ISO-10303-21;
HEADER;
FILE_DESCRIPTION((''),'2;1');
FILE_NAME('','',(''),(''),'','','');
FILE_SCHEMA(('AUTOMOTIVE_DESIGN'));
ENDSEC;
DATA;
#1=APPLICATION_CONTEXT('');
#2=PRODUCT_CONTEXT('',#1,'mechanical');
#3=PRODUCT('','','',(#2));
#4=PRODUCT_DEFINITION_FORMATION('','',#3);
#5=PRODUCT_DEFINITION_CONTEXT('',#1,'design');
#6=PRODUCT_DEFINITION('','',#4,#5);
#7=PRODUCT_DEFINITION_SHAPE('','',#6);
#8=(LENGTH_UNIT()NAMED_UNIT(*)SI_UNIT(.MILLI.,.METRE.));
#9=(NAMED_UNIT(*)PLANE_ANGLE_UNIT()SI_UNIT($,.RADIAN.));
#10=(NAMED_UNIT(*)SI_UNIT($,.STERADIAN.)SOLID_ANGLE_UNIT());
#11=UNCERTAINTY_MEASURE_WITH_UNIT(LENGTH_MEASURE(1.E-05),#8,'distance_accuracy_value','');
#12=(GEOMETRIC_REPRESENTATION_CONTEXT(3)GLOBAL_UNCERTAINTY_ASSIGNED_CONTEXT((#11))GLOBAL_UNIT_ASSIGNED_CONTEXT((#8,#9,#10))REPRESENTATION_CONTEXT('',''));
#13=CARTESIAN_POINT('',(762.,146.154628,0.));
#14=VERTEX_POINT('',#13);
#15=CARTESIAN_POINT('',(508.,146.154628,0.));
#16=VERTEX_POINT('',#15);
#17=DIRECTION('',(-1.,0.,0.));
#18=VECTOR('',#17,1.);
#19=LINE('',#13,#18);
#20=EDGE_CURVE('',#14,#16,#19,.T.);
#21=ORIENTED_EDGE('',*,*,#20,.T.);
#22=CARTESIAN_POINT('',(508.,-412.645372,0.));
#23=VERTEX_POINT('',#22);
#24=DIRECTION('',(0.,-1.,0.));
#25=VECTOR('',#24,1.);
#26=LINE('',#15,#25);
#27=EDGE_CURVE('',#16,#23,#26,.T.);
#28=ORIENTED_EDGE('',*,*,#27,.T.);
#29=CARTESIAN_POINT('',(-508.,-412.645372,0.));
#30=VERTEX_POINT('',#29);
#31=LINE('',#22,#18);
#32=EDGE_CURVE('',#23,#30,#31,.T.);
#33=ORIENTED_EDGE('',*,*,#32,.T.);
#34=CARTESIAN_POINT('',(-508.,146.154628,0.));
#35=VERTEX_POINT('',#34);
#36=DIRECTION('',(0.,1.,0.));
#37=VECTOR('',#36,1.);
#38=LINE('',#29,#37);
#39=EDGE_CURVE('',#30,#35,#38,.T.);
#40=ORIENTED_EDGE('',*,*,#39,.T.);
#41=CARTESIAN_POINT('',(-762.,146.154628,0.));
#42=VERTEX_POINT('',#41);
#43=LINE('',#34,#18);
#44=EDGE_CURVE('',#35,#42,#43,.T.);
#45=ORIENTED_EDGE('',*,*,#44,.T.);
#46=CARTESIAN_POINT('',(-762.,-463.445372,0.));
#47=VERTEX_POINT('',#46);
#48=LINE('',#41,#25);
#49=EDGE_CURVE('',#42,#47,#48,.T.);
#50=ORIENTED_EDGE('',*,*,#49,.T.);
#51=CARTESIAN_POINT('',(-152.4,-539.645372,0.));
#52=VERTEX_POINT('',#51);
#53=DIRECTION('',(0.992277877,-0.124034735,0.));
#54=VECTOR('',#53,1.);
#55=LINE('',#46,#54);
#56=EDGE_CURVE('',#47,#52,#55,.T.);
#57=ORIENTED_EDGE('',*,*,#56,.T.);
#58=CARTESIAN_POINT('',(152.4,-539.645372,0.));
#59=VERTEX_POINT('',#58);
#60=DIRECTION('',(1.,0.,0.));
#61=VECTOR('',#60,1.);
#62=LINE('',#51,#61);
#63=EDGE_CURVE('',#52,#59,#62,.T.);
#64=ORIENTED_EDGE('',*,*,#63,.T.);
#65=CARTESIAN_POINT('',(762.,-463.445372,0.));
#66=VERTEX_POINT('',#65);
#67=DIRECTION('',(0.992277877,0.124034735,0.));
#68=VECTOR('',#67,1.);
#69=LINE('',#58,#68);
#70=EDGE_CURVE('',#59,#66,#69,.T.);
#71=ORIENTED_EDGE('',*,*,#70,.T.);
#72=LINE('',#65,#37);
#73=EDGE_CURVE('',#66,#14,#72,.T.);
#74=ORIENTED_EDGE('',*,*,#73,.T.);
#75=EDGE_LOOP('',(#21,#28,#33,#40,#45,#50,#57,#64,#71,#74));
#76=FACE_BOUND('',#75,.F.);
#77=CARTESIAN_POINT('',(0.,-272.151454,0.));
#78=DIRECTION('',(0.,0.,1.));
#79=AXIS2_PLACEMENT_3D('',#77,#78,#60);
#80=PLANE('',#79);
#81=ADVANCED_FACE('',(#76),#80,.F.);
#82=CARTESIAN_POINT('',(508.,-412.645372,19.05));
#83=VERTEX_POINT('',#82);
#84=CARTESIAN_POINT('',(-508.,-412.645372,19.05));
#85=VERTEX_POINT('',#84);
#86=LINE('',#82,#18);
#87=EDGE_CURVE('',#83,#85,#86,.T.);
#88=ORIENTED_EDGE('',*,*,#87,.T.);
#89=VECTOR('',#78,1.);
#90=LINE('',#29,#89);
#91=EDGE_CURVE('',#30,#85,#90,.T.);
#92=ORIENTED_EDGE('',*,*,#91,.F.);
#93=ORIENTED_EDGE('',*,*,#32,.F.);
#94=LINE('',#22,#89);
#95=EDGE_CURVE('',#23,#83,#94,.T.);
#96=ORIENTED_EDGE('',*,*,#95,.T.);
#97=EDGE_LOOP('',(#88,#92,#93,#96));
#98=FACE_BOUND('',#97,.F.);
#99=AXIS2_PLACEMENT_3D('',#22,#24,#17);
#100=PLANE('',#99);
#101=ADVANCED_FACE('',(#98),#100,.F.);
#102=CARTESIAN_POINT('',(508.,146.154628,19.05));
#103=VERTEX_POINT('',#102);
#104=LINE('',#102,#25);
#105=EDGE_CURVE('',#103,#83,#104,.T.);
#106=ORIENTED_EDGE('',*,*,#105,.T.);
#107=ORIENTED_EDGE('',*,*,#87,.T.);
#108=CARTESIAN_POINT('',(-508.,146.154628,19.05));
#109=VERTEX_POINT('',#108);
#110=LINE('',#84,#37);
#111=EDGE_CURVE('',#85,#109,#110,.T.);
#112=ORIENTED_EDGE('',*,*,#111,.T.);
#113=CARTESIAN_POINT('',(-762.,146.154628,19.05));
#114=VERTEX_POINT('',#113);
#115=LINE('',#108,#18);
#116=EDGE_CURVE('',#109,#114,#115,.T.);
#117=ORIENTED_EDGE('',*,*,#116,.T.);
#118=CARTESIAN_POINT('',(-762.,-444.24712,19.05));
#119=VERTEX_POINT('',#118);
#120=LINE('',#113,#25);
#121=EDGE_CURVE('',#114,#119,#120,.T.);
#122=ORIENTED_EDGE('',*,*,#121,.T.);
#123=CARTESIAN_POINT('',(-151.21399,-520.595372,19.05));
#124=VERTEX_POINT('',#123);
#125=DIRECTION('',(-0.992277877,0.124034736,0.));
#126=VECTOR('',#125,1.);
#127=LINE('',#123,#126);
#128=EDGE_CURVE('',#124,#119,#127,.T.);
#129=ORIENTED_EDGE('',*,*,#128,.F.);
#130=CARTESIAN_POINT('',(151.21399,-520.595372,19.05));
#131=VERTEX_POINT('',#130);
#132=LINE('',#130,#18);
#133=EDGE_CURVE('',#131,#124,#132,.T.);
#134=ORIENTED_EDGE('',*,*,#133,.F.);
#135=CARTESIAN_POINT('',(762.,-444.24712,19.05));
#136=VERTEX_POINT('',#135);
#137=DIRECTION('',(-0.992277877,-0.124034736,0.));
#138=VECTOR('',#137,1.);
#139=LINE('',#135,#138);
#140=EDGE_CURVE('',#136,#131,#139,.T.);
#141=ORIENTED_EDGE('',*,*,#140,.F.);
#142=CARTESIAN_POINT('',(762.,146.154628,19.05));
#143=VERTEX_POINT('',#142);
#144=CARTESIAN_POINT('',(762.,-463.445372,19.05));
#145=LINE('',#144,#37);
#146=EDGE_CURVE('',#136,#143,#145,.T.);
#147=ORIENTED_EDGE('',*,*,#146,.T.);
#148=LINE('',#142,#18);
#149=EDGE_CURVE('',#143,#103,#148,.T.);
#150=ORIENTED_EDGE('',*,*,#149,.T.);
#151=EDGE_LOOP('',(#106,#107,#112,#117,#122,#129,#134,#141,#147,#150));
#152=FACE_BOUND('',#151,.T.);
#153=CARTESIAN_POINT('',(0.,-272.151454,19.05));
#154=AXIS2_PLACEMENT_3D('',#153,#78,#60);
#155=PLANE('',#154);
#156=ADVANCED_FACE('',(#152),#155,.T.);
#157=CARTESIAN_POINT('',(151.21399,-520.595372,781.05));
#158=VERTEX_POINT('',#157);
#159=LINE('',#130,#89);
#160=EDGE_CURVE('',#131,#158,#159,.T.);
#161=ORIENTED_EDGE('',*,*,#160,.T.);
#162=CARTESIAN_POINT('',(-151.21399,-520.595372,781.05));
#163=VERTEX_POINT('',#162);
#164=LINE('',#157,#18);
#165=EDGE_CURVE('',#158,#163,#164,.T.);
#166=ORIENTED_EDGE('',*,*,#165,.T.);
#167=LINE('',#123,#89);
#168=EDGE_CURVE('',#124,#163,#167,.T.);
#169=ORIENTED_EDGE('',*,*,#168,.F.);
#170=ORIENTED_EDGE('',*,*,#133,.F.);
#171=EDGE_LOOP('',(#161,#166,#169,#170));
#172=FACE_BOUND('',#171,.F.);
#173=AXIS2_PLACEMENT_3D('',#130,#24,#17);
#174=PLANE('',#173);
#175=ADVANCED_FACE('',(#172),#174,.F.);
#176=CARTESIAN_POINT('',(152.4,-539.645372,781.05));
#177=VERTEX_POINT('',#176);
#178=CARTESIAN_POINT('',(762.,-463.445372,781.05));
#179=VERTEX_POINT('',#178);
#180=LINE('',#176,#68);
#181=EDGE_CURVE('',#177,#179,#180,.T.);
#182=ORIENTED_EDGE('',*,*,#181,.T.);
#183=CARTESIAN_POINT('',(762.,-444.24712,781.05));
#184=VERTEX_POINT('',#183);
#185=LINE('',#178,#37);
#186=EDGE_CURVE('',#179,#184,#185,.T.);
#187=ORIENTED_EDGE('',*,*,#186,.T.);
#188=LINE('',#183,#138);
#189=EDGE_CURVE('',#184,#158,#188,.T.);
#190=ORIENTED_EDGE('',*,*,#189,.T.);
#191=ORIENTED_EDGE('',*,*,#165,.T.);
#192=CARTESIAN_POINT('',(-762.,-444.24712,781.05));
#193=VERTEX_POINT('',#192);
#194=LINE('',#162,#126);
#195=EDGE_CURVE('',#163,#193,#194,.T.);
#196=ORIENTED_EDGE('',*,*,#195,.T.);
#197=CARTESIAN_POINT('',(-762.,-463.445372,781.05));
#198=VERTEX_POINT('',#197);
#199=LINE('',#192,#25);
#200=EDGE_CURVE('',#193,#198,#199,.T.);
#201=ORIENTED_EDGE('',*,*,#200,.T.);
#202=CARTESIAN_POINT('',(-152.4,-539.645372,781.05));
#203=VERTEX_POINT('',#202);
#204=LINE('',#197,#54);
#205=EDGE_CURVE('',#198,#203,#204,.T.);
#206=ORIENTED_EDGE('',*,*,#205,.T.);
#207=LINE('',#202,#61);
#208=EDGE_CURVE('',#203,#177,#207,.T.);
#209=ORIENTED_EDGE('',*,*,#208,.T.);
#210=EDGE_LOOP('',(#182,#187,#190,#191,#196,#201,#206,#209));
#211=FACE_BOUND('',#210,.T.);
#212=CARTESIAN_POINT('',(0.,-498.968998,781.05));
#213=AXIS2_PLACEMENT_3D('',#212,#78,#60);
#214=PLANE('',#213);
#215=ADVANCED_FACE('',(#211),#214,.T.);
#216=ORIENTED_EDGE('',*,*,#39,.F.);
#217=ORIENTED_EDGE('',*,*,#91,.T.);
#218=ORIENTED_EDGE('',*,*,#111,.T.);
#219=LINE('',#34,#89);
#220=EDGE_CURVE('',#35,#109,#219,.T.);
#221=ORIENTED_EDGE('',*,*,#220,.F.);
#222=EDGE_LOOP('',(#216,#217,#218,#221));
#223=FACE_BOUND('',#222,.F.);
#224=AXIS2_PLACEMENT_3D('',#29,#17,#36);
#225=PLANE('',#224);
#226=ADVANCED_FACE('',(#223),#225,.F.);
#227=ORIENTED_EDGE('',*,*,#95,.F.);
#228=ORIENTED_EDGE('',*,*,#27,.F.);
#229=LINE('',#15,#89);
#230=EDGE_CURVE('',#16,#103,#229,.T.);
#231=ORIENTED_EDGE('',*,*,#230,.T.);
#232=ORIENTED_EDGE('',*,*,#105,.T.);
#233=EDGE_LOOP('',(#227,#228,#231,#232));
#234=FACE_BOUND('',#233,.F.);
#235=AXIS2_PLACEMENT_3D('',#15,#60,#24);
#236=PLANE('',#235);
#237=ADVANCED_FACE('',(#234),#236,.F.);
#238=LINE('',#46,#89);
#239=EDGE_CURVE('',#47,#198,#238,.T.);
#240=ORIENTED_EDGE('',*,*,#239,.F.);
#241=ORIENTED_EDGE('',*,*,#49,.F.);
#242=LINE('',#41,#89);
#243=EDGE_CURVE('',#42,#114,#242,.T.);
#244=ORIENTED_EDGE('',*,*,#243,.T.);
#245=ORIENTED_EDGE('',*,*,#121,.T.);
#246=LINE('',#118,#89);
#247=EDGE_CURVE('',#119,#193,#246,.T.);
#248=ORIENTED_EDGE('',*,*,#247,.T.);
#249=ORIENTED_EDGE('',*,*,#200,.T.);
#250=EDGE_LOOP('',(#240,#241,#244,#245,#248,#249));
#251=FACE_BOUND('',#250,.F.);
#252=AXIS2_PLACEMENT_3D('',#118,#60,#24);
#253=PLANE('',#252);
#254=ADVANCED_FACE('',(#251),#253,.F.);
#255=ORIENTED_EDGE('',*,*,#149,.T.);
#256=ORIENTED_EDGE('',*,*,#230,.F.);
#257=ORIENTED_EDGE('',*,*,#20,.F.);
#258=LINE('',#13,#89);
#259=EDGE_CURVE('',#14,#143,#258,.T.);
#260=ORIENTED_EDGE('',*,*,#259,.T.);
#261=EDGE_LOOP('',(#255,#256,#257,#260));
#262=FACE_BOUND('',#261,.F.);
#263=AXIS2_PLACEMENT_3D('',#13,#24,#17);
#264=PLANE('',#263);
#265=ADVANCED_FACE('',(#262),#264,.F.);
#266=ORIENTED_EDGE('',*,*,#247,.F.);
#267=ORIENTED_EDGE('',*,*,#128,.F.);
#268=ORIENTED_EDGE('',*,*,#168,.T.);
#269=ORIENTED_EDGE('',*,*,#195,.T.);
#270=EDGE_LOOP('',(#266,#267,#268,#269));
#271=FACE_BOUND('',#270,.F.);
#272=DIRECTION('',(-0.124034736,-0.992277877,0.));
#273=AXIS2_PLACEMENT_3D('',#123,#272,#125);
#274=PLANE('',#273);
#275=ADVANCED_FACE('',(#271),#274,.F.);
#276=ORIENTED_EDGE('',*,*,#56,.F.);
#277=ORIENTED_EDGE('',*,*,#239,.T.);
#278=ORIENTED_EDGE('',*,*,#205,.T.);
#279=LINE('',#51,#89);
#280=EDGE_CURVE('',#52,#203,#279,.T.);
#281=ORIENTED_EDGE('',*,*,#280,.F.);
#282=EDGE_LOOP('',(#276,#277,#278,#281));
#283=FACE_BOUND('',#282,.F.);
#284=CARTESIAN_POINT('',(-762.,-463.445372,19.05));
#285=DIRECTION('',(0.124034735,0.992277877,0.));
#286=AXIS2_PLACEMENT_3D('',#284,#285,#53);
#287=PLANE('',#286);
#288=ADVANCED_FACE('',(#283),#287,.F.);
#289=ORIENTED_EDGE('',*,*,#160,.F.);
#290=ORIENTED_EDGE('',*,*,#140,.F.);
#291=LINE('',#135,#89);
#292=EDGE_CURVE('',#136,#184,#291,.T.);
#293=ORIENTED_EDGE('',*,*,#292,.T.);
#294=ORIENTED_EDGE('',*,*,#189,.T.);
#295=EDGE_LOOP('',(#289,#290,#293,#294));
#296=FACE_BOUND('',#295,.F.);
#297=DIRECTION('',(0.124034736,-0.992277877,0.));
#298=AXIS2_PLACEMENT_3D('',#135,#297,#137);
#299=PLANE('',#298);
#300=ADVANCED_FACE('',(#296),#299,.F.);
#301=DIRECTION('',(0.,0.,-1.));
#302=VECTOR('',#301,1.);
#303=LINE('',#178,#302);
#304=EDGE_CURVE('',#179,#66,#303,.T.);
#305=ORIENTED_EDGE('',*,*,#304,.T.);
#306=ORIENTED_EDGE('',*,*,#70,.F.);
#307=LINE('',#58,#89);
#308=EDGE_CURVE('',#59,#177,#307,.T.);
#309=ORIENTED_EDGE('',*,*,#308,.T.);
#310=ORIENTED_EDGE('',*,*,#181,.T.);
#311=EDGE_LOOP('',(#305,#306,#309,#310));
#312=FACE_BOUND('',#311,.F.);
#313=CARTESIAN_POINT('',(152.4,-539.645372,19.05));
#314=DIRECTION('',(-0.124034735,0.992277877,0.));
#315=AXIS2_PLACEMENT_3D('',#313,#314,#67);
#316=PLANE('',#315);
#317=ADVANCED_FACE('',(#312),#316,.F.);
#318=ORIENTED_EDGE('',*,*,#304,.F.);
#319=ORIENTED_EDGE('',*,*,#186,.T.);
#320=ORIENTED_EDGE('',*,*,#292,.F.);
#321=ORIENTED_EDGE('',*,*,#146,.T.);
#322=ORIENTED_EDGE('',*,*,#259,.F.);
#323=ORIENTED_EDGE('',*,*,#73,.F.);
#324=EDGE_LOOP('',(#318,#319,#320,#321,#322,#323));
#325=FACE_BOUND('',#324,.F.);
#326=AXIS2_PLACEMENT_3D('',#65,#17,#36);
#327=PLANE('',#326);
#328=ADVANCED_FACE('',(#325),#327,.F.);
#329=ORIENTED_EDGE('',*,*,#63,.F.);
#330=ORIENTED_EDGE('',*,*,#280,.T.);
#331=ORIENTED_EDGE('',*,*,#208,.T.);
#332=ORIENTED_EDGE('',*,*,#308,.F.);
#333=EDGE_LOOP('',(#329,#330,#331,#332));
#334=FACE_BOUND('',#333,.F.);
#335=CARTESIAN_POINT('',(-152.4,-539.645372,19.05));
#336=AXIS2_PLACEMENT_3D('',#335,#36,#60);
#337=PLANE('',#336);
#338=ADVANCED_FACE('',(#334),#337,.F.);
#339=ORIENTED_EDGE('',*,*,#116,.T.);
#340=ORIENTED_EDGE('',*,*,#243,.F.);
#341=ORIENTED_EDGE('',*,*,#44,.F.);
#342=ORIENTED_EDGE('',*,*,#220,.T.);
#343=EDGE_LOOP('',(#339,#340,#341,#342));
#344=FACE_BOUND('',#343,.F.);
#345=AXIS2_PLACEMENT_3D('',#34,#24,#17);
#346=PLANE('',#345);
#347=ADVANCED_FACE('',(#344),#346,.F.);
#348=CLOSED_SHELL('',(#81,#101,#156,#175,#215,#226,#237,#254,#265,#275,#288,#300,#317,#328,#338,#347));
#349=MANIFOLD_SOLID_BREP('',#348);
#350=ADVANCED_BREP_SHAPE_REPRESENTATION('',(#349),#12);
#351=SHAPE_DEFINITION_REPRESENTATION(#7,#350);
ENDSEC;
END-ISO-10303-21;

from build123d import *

# Parameters (mm, degrees)
F1_DEPTH = 19.05
F3_DEPTH = 762


with BuildPart() as f1:
    # F0 (on Top) → F1 (new body)
    with BuildSketch(Plane.XY):
        Polygon((-762, -463.445372), (-152.4, -539.645372), (0, -539.645372), (152.4, -539.645372), (762, -463.445372), (762, 146.154628), (508, 146.154628), (508, -412.645372), (0, -412.645372), (-508, -412.645372), (-508, 146.154628), (-762, 146.154628), align=None)
    extrude(amount=F1_DEPTH)

    # F2 (on face) → F3 (join)
    with BuildSketch(Plane.XY.offset(19.05)):
        Polygon((-151.21399, -520.595372), (-762, -444.24712), (-762, -463.445372), (-152.4, -539.645372), (152.4, -539.645372), (762, -463.445372), (762, -444.24712), (151.21399, -520.595372), align=None)
    extrude(amount=F3_DEPTH)


solid = f1.part
